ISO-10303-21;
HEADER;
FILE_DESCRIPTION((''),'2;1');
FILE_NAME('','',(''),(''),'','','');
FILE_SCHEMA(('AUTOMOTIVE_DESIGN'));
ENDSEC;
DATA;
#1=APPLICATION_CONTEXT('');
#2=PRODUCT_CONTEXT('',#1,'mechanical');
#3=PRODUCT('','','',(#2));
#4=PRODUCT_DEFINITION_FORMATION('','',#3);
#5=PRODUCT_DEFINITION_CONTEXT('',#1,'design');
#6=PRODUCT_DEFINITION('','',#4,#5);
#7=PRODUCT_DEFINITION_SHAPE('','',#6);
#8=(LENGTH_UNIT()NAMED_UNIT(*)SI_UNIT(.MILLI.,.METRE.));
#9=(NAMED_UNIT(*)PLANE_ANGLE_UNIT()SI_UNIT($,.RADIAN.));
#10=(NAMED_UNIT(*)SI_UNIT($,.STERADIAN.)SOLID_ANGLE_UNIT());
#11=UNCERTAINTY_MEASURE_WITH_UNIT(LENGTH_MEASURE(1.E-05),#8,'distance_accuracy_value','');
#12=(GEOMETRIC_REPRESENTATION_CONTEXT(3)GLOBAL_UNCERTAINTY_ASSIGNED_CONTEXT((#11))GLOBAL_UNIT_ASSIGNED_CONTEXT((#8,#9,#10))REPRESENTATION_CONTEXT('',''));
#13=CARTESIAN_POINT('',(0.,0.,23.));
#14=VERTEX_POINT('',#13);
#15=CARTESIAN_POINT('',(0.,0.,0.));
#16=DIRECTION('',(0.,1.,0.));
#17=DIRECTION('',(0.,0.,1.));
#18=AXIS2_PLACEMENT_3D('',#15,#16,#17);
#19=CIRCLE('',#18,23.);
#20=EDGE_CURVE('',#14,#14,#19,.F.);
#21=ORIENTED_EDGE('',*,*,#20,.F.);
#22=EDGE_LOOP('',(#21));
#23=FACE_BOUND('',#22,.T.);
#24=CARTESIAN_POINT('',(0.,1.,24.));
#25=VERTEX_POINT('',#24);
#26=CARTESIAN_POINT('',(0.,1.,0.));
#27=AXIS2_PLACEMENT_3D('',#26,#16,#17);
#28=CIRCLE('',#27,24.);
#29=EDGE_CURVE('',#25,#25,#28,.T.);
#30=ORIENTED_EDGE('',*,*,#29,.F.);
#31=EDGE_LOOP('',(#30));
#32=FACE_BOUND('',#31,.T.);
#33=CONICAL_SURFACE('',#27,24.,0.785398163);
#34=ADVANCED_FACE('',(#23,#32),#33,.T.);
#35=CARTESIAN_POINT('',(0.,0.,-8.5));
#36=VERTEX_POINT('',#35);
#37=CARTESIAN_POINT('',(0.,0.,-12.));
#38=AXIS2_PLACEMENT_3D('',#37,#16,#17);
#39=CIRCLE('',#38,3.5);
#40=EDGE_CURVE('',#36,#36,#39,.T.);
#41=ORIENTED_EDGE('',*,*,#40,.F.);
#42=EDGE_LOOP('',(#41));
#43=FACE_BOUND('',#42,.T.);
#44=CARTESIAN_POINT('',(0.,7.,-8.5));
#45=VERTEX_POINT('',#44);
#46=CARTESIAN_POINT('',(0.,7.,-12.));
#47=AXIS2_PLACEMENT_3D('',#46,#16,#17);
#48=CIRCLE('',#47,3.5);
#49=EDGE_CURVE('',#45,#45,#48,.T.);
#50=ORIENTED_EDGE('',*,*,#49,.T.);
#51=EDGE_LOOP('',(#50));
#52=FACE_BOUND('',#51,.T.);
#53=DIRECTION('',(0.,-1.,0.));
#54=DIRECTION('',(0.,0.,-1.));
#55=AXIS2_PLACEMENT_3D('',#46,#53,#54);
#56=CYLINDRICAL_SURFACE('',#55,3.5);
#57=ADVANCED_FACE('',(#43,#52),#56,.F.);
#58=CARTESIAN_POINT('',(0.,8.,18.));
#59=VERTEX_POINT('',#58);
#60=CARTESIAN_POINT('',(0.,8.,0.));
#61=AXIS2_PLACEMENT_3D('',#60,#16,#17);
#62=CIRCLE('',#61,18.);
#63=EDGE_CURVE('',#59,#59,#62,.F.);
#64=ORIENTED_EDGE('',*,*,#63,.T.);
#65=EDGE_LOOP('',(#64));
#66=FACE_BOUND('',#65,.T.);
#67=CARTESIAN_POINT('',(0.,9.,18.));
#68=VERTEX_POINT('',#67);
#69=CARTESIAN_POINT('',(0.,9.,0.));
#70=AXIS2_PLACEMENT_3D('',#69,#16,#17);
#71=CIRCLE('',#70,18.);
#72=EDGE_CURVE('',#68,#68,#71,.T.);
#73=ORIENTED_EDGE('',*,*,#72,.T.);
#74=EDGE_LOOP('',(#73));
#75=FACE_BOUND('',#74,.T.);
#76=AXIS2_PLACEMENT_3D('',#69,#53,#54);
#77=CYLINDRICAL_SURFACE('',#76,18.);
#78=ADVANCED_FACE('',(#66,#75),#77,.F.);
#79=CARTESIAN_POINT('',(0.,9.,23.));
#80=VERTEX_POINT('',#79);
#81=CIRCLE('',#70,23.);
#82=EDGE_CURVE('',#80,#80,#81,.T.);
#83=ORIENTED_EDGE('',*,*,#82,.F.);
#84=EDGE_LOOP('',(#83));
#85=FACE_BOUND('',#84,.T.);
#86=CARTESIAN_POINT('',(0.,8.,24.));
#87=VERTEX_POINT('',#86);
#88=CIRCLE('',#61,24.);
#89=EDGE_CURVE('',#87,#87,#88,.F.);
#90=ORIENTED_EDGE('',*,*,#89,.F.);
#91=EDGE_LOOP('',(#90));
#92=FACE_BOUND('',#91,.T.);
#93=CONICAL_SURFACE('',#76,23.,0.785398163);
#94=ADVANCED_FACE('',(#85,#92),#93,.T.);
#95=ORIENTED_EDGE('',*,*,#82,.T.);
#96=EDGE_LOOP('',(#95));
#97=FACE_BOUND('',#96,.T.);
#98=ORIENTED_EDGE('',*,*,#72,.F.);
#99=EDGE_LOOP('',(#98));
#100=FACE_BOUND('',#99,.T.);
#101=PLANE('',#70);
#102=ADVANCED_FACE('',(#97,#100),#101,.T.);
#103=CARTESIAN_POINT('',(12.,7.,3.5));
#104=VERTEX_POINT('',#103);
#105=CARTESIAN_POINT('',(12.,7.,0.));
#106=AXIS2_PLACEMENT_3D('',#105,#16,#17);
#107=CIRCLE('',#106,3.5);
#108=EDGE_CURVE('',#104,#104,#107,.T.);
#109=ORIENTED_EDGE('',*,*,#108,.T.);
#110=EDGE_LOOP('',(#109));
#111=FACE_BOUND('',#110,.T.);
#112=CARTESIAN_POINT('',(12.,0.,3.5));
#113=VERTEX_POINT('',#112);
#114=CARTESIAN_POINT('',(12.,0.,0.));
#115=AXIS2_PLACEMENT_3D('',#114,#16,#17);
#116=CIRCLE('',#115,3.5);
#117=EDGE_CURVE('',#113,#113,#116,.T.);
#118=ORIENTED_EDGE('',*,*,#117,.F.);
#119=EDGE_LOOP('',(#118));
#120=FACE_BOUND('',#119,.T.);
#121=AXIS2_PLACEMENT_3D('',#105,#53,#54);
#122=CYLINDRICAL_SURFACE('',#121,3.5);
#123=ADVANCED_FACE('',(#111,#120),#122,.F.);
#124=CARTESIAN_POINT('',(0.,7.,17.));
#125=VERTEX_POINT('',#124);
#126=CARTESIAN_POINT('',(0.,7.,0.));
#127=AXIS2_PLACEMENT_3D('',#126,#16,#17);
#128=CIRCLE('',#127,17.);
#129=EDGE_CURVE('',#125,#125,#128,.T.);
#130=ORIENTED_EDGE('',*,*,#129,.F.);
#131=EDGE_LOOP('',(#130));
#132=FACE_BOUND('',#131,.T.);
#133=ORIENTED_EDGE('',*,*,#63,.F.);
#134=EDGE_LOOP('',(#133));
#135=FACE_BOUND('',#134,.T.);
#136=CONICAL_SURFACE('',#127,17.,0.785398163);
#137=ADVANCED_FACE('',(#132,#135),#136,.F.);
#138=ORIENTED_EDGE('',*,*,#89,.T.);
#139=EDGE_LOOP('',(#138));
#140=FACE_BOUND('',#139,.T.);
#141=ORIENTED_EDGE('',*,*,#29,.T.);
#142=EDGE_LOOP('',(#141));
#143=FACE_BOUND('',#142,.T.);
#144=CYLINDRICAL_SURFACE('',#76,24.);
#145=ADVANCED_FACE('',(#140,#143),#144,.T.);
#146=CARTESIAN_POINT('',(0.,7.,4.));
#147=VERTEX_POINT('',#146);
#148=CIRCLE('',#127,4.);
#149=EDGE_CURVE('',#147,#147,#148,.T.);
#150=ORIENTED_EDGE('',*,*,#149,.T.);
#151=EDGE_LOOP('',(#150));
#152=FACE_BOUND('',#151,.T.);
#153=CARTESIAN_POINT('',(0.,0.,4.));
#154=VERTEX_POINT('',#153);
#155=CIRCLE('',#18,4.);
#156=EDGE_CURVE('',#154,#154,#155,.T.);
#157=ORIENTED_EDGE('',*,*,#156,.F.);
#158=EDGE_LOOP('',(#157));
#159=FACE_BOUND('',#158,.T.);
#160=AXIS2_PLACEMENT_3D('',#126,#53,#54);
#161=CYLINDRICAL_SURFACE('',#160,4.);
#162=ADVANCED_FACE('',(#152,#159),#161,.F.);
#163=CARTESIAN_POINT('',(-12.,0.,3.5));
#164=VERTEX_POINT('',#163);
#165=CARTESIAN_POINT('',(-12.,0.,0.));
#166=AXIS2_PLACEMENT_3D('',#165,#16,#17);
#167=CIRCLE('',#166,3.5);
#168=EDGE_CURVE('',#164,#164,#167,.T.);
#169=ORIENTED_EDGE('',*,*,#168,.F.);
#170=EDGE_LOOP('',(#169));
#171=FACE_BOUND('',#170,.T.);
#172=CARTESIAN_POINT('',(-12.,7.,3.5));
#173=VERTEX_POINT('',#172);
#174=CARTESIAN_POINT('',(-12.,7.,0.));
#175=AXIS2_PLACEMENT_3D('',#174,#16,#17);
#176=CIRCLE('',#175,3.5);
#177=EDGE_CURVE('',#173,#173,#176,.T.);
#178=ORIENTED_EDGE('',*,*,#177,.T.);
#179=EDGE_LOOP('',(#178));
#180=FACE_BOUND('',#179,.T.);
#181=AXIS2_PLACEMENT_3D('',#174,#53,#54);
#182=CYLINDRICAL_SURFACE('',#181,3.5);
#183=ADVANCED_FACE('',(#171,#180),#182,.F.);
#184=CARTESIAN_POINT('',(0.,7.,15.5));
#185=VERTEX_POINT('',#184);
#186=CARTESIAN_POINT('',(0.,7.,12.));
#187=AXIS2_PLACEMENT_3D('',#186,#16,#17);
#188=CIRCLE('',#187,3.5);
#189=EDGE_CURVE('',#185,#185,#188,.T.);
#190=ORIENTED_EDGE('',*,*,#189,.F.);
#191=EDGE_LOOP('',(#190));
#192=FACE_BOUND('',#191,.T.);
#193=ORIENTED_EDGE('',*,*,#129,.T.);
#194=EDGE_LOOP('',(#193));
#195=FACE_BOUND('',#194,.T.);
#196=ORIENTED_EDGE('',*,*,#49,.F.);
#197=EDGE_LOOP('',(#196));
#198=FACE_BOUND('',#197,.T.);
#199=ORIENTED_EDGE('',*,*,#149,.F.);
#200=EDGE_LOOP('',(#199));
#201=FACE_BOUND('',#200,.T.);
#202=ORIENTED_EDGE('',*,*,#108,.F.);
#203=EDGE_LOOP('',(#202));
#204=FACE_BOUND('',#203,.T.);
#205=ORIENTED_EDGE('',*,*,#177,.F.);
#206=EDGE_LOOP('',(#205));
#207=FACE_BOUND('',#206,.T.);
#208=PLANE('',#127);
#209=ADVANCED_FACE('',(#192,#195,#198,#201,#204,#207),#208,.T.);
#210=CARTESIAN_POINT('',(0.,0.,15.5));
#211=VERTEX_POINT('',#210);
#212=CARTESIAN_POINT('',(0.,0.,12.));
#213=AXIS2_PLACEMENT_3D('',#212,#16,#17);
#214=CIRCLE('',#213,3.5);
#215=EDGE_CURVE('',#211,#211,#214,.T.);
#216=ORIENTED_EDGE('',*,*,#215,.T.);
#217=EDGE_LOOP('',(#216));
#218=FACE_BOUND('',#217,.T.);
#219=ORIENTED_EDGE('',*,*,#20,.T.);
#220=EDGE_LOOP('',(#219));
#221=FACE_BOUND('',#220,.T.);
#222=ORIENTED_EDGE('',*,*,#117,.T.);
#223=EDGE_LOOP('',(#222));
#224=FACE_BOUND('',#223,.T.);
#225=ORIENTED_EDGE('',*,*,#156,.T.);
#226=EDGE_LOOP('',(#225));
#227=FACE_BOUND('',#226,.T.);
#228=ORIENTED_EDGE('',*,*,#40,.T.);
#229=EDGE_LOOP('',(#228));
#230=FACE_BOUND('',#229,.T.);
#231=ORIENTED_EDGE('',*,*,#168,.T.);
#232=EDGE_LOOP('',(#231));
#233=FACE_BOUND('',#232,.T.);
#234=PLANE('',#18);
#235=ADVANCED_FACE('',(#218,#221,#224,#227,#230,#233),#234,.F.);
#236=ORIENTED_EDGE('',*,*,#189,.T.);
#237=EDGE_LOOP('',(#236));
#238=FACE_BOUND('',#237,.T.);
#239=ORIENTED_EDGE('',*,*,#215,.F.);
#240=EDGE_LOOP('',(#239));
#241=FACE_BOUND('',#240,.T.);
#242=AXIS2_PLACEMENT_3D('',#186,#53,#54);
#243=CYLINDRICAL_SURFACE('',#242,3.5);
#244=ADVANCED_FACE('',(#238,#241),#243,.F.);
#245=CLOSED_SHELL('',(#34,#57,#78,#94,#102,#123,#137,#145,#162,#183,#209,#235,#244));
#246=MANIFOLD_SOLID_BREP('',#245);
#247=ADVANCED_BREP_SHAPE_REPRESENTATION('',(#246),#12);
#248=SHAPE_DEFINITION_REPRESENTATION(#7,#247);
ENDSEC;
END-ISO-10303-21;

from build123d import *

# Parameters (mm, degrees)
SKETCH2_R           = 24
SKETCH2_R_2         = 18
BOSS_EXTRUDE2_DEPTH = 9
SKETCH2_3_R         = 18
SKETCH2_3_R_2       = 3.5
SKETCH2_3_R_3       = 4
BOSS_EXTRUDE3_DEPTH = 7
CHAMFER1_SIZE       = 1
CHAMFER3_SIZE       = 1


with BuildPart() as part:
    # Sketch2 → Boss-Extrude2 (new body)
    with BuildSketch(Plane(origin=(0, 0, 0), x_dir=(1, 0, 0), z_dir=(0, 1, 0))):
        Circle(SKETCH2_R)
        Circle(SKETCH2_R_2, mode=Mode.SUBTRACT)
    extrude(amount=BOSS_EXTRUDE2_DEPTH)

    # Sketch2<3> → Boss-Extrude3 (add)
    with BuildSketch(Plane(origin=(0, 0, 0), x_dir=(1, 0, 0), z_dir=(0, 1, 0))):
        Circle(SKETCH2_3_R)
        with Locations((-12, 0)):
            Circle(SKETCH2_3_R_2, mode=Mode.SUBTRACT)
        with Locations((0, -12)):
            Circle(SKETCH2_3_R_2, mode=Mode.SUBTRACT)
        with Locations((12, 0)):
            Circle(SKETCH2_3_R_2, mode=Mode.SUBTRACT)
        Circle(SKETCH2_3_R_3, mode=Mode.SUBTRACT)
        with Locations((0, 12)):
            Circle(SKETCH2_3_R_2, mode=Mode.SUBTRACT)
    extrude(amount=BOSS_EXTRUDE3_DEPTH)

    # Chamfer1
    chamfer1_edges = [part.edges().sort_by_distance(p)[0] for p in [
        (-24, 0, 0),
        (-24, 9, 0),
    ]]
    chamfer(chamfer1_edges, length=CHAMFER1_SIZE)

    # Chamfer3
    chamfer3_edges = [part.edges().sort_by_distance(p)[0] for p in [
        (-18, 7, 0),
    ]]
    chamfer(chamfer3_edges, length=CHAMFER3_SIZE)


solid = part.part
